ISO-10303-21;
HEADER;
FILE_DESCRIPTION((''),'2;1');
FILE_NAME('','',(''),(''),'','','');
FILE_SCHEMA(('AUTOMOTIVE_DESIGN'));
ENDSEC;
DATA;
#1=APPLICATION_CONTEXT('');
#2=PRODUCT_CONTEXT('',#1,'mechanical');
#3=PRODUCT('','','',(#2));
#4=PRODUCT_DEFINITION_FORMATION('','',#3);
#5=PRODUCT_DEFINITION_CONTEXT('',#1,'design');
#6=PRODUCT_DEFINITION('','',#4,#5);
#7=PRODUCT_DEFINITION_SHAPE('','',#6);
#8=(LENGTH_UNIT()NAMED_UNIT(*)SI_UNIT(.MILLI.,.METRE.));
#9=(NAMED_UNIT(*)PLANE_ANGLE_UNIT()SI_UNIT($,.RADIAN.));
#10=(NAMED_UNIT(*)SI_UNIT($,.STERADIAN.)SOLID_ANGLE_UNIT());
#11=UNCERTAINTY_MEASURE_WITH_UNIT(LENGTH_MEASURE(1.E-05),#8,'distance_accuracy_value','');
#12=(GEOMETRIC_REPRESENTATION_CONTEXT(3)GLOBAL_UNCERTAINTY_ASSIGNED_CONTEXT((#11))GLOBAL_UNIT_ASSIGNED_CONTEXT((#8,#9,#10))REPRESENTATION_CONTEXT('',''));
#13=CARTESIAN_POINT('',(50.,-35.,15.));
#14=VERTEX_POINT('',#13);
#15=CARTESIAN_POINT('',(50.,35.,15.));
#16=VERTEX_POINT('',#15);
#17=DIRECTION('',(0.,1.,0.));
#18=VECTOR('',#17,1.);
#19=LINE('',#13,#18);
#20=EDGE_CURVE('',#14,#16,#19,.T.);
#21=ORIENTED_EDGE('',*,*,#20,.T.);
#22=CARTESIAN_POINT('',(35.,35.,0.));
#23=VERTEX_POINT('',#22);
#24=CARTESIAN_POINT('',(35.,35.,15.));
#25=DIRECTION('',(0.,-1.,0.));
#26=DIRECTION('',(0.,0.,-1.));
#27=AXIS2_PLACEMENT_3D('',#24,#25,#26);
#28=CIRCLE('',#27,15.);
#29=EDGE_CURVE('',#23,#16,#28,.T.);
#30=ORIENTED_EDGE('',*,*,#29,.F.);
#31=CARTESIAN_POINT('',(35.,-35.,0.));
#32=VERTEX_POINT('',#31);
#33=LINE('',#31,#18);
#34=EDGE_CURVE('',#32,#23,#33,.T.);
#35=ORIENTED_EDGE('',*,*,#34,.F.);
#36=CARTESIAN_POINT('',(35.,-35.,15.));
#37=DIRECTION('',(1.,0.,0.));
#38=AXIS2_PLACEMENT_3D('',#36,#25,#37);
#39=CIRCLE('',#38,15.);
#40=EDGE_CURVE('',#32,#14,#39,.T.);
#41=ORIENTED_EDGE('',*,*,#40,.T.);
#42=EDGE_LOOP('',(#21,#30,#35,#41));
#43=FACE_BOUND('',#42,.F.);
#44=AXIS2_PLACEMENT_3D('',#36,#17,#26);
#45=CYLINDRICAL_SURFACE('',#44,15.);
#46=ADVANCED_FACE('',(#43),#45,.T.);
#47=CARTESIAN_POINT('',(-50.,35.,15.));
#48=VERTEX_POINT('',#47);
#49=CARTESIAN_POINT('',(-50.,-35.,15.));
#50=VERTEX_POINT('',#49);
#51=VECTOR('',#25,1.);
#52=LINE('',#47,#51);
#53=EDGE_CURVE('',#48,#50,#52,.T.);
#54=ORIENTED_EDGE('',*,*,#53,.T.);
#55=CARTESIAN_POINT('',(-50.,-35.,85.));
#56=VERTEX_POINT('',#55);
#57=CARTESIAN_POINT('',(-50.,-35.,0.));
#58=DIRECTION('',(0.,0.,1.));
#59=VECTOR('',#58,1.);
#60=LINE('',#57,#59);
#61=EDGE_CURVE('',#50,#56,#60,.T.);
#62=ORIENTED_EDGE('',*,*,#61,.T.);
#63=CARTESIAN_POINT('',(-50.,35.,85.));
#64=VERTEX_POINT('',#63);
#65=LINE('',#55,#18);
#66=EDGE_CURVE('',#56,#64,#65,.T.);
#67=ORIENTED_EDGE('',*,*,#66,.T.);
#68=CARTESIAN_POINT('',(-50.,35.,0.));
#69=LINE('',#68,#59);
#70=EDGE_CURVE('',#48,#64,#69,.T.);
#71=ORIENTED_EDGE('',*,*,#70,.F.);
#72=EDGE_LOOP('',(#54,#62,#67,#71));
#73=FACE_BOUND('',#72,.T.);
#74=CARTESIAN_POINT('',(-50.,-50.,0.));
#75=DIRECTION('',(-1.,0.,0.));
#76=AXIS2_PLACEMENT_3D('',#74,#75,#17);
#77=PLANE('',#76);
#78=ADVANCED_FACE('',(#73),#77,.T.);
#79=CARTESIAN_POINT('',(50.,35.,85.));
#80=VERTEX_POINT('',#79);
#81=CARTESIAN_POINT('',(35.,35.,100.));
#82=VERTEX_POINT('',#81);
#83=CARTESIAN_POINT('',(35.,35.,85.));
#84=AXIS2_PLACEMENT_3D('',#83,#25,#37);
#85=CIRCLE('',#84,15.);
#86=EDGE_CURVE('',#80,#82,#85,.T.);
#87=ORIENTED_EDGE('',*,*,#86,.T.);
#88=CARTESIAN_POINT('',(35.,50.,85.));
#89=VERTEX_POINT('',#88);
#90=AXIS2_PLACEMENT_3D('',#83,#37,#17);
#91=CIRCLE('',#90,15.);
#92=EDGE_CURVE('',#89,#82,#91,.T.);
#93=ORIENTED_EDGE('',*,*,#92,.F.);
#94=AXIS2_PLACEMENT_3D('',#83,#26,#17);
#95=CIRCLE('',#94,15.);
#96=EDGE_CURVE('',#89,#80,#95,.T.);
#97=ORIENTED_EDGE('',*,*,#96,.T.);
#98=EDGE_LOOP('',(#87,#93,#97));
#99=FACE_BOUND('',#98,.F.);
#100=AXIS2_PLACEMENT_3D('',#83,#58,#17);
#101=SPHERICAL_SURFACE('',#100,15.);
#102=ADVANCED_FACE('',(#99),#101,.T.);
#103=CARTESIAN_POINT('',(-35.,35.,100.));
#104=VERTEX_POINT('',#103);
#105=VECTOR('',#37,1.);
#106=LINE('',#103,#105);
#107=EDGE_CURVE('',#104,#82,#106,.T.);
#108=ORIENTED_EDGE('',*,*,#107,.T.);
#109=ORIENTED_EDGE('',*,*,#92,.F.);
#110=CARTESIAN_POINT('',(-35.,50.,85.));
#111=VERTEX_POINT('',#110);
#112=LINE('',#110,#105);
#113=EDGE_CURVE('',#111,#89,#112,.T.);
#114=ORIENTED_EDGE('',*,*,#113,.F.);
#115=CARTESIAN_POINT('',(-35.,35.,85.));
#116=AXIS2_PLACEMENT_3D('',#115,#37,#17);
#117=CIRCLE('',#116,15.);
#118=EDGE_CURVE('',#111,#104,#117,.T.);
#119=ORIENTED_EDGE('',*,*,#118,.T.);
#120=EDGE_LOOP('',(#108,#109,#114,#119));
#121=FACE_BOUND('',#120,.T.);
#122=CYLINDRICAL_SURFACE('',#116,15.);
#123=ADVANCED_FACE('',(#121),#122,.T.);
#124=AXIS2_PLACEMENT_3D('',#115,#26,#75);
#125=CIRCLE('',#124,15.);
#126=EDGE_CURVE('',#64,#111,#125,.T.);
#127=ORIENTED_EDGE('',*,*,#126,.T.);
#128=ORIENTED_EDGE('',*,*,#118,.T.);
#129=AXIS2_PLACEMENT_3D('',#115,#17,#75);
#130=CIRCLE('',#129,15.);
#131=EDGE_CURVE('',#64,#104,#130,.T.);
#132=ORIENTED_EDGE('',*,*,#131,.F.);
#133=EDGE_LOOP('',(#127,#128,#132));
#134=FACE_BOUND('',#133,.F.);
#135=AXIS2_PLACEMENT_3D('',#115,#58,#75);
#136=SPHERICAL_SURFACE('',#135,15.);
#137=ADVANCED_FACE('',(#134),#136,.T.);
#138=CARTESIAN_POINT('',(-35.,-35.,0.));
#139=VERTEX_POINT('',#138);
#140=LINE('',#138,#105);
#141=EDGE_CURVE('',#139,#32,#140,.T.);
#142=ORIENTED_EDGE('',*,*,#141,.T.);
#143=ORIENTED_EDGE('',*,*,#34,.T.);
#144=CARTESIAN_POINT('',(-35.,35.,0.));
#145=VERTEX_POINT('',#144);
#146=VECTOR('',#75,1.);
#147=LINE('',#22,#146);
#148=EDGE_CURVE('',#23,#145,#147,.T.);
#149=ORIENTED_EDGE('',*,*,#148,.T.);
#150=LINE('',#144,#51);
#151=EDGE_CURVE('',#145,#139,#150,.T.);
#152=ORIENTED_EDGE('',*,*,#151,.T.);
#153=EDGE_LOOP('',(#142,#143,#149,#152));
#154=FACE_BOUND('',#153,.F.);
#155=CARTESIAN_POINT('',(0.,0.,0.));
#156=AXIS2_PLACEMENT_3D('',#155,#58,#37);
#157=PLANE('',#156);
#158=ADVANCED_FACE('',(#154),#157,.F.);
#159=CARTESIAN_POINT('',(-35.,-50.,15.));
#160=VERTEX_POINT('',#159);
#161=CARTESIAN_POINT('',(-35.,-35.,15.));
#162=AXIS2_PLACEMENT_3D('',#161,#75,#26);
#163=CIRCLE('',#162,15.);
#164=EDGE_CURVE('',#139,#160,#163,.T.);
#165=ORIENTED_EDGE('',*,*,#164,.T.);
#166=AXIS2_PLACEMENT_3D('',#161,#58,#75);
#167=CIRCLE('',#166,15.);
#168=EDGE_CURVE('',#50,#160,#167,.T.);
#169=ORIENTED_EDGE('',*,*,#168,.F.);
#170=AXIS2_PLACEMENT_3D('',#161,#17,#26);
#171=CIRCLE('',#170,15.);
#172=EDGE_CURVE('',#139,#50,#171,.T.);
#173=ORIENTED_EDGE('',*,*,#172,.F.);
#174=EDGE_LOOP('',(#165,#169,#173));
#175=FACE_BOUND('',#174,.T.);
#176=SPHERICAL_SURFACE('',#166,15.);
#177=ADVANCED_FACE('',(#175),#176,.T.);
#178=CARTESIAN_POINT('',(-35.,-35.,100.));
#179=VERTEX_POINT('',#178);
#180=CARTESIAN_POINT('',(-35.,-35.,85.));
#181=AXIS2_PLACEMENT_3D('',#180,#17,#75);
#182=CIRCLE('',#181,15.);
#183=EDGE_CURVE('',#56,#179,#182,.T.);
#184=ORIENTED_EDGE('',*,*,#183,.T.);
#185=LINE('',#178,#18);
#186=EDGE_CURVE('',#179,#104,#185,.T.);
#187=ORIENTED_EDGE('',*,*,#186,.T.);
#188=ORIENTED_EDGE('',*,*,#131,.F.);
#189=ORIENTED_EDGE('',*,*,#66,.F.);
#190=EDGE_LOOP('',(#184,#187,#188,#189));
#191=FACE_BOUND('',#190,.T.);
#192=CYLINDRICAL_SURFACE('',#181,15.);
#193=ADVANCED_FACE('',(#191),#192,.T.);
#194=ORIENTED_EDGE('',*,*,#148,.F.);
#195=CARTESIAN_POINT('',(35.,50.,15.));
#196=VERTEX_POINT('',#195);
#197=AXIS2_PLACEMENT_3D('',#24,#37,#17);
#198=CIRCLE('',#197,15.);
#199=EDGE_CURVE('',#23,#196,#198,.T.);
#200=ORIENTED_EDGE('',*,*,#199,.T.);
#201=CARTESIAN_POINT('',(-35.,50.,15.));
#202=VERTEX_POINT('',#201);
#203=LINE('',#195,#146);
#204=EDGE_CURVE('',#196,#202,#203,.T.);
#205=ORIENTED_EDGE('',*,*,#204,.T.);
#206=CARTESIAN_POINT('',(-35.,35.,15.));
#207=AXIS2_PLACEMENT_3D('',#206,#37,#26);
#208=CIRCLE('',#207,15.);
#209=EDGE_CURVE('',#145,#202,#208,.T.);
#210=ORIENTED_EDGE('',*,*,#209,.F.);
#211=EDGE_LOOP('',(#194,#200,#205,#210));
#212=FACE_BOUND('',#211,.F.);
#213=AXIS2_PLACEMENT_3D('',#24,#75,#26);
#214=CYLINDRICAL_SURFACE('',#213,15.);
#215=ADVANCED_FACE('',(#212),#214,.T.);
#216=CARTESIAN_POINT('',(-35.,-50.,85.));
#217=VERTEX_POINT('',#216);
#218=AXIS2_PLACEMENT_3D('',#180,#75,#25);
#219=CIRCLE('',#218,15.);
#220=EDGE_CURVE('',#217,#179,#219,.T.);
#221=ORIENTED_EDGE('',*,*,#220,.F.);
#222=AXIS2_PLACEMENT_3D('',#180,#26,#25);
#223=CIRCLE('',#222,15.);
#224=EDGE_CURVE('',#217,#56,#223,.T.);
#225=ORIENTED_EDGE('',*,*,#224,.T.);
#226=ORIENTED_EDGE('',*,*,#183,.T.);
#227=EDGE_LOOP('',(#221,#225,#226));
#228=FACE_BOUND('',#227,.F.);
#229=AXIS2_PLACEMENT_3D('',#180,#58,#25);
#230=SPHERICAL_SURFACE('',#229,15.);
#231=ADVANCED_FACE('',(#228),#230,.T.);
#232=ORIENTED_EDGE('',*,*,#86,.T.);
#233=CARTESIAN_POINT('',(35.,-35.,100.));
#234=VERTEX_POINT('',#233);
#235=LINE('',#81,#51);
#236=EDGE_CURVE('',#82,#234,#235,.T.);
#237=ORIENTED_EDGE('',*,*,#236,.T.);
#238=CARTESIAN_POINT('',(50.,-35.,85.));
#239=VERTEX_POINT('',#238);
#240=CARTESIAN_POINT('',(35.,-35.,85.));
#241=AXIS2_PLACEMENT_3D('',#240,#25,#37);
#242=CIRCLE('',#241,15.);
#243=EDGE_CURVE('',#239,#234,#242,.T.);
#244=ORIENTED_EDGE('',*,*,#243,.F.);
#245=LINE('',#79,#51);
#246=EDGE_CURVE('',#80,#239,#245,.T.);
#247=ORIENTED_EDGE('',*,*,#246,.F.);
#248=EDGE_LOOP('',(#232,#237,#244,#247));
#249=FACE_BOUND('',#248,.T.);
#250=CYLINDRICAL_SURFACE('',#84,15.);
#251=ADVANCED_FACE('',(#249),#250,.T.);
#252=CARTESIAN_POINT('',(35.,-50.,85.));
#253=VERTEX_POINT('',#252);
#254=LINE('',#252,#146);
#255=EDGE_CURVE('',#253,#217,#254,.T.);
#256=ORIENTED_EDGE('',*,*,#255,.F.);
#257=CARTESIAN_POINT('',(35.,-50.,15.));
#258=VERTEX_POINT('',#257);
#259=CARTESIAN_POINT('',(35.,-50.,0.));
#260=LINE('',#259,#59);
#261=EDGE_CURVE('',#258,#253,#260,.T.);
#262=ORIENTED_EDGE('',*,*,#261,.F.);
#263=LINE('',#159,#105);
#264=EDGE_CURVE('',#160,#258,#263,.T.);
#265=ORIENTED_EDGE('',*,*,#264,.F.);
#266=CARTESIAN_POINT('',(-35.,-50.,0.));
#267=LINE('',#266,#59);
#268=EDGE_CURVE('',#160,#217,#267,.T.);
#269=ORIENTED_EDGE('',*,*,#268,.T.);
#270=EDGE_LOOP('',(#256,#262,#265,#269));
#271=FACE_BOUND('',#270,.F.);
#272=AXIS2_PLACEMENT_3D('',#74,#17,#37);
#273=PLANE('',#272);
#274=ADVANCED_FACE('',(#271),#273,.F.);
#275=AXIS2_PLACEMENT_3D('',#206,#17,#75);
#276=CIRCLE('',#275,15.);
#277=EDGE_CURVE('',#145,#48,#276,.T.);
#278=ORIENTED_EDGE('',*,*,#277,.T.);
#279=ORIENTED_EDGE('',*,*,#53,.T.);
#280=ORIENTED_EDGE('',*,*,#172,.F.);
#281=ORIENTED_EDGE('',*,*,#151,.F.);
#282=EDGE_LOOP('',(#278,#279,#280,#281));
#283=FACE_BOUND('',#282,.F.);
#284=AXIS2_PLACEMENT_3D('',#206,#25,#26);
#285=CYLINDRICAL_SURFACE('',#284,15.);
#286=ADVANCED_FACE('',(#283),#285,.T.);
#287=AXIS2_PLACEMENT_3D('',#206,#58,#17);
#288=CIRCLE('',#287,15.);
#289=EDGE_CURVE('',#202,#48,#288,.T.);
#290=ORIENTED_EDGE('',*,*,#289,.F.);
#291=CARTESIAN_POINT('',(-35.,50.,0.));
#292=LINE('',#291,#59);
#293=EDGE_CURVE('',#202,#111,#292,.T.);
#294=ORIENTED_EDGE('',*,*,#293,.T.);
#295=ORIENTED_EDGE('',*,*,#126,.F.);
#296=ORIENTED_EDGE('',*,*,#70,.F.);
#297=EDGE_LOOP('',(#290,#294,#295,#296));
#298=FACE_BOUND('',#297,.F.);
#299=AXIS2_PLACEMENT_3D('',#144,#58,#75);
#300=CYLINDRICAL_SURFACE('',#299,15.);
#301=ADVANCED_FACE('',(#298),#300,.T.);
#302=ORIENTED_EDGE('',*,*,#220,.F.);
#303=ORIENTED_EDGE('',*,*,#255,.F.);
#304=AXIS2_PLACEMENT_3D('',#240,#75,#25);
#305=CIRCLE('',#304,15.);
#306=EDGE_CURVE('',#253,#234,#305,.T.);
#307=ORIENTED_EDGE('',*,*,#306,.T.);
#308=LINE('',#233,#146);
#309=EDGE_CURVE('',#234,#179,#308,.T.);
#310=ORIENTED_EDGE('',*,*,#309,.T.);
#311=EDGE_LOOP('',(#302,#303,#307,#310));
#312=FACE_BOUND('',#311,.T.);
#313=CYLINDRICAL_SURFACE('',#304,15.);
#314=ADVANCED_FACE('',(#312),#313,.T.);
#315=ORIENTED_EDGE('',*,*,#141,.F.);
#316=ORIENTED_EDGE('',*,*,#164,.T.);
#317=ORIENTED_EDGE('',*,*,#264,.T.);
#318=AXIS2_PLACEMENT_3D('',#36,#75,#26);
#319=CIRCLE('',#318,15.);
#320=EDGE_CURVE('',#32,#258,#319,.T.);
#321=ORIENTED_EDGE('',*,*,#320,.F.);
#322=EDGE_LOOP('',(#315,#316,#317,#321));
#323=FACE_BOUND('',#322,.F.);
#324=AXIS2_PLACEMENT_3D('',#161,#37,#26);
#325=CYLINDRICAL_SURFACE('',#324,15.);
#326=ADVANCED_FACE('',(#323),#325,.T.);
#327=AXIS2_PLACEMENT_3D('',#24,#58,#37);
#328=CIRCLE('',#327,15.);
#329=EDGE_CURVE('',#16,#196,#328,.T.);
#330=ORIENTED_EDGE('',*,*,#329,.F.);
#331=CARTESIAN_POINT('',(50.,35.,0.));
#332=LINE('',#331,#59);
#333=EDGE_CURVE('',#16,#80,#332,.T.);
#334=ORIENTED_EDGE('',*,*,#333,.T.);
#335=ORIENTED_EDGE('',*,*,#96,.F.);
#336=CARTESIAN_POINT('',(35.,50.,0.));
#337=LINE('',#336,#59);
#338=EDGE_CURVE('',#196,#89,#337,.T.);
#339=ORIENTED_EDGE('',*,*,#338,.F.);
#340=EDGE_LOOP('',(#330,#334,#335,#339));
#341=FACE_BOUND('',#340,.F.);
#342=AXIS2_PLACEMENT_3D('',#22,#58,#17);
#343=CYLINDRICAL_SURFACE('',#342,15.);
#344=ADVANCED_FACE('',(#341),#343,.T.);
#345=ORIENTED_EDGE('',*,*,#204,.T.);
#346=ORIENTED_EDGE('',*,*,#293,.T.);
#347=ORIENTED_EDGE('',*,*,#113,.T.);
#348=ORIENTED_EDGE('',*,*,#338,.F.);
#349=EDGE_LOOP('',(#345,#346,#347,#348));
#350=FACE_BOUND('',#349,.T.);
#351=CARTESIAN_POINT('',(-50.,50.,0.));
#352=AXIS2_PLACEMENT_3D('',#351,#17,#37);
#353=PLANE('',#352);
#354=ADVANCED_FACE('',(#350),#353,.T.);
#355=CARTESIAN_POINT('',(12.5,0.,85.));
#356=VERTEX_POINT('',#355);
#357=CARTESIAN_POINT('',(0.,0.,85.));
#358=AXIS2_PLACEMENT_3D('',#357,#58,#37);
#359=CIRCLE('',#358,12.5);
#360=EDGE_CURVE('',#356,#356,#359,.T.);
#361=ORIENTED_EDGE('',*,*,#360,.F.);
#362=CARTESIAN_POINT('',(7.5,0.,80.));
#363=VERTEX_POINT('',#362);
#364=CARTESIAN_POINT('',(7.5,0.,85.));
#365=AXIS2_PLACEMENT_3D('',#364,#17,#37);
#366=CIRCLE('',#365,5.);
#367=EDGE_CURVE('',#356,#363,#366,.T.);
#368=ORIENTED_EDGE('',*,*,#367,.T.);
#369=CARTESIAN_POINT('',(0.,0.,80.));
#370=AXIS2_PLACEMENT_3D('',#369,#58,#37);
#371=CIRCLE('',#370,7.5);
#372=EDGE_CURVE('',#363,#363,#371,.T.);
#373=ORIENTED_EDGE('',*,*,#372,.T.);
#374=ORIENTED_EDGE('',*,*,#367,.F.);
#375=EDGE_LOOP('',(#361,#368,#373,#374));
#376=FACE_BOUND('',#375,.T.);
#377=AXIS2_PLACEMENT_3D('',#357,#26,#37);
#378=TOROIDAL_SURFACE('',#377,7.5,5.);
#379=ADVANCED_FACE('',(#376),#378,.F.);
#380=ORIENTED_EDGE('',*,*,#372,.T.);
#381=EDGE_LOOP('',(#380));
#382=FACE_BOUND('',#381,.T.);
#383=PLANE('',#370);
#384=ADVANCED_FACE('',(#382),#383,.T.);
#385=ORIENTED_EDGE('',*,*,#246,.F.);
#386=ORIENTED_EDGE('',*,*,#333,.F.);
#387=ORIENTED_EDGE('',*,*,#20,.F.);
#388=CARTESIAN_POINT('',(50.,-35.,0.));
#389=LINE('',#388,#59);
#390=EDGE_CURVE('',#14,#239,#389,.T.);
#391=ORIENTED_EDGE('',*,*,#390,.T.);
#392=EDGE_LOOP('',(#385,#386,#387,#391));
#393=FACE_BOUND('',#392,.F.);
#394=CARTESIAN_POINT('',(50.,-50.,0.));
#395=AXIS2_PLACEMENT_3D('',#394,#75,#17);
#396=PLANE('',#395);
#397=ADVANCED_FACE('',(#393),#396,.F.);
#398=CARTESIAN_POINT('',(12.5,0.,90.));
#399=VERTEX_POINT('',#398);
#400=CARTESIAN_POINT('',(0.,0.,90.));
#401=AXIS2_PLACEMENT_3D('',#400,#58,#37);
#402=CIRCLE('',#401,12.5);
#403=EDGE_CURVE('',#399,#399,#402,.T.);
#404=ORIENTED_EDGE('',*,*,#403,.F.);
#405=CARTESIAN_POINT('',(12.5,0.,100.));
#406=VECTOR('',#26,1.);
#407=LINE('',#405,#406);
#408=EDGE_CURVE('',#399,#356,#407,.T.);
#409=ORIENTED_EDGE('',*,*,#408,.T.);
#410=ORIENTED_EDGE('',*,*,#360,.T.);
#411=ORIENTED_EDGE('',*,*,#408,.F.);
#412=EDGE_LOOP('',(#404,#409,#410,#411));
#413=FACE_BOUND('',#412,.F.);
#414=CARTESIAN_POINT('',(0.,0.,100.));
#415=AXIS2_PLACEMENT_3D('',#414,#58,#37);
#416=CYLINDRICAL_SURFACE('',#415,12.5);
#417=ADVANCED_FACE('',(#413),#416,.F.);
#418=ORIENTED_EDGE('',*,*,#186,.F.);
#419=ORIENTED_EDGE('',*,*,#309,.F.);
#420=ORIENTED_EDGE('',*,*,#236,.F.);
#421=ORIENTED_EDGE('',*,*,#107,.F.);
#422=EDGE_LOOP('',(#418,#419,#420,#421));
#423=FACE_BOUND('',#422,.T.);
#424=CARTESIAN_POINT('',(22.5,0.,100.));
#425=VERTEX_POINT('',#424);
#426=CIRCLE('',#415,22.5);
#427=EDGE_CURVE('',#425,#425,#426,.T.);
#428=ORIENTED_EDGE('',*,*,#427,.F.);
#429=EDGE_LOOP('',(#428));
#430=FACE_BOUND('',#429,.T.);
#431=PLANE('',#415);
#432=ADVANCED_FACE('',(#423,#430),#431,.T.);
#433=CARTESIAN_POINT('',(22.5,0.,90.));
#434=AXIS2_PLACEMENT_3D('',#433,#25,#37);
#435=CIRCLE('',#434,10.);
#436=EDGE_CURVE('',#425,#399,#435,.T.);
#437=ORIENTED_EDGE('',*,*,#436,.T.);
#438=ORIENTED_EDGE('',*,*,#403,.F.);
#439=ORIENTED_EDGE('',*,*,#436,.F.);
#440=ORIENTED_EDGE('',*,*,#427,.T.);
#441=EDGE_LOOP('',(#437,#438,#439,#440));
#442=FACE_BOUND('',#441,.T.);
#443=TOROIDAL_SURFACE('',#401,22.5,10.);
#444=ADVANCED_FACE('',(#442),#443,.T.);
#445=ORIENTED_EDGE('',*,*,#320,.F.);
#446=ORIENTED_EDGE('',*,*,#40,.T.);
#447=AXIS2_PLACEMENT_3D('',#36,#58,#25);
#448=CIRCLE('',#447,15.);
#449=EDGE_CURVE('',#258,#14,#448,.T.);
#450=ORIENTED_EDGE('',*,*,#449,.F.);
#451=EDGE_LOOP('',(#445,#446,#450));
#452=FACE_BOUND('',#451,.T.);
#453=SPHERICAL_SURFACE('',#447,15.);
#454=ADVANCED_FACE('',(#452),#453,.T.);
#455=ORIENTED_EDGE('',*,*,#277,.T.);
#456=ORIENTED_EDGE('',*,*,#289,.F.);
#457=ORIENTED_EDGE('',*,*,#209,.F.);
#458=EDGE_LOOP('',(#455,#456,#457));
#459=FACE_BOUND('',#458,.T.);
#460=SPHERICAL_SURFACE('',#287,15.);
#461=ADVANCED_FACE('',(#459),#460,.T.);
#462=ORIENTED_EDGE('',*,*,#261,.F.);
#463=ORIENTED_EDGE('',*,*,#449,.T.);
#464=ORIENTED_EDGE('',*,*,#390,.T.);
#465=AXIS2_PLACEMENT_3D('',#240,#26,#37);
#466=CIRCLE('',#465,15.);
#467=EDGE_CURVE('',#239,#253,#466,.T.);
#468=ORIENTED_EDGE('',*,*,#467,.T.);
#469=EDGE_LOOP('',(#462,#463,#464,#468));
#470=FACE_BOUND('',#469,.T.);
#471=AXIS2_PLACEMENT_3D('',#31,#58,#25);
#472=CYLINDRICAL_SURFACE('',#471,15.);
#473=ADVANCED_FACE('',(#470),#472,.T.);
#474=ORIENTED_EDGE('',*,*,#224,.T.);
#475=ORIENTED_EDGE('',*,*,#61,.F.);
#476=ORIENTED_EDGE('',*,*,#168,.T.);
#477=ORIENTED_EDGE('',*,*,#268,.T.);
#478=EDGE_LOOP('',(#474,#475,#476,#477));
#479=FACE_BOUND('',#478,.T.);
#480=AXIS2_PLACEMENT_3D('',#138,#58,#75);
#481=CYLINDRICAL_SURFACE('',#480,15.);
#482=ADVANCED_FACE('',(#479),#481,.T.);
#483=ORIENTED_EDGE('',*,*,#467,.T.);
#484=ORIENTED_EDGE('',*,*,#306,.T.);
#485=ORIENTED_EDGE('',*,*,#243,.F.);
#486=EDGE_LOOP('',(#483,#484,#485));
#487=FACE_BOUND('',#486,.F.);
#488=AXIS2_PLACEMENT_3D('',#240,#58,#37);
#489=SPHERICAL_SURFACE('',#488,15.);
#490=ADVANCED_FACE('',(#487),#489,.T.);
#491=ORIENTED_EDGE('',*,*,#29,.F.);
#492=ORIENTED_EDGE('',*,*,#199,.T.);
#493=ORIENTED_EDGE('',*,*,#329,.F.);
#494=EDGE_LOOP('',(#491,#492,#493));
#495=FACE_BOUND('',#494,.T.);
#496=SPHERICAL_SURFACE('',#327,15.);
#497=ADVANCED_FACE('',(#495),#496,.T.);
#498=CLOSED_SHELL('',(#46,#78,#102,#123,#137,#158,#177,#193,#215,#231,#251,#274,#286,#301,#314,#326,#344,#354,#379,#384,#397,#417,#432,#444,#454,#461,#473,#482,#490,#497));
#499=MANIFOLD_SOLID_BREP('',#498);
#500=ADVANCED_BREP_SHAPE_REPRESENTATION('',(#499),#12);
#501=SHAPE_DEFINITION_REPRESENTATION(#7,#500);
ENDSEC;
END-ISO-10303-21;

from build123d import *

# Parameters (mm, degrees)
SKETCH001_W  = 100
SKETCH001_H  = 100
PAD_DEPTH    = 100
SKETCH_R     = 12.5
POCKET_DEPTH = 20
FILLET_R     = 15
FILLET001_R  = 15
FILLET002_R  = 15
FILLET003_R  = 10
FILLET004_R  = 5


with BuildPart() as part:
    # Sketch001 → Pad (new body)
    with BuildSketch(Plane.XY):
        Rectangle(SKETCH001_W, SKETCH001_H)
    extrude(amount=PAD_DEPTH)

    # Sketch (on Face6 of Pad) → Pocket (cut)
    with BuildSketch(Plane.XY.offset(100)):
        Circle(SKETCH_R)
    extrude(amount=-POCKET_DEPTH, mode=Mode.SUBTRACT)

    # Fillet
    fillet_edges = [part.edges().sort_by_distance(p)[0] for p in [
        (50, -50, 50),
        (-50, -50, 50),
        (50, 50, 50),
        (-50, 50, 50),
    ]]
    fillet(fillet_edges, radius=FILLET_R)

    # Fillet001
    fillet001_edges = [part.edges().sort_by_distance(p)[0] for p in [
        (-50, 0, 100),
        (-45.606602, 45.606602, 100),
        (0, 50, 100),
        (45.606602, 45.606602, 100),
        (50, 0, 100),
        (45.606602, -45.606602, 100),
        (0, -50, 100),
        (-45.606602, -45.606602, 100),
    ]]
    fillet(fillet001_edges, radius=FILLET001_R)

    # Fillet002
    fillet002_edges = [part.edges().sort_by_distance(p)[0] for p in [
        (0, -50, 0),
        (-45.606602, -45.606602, 0),
        (-50, 0, 0),
        (-45.606602, 45.606602, 0),
        (0, 50, 0),
        (45.606602, 45.606602, 0),
        (50, 0, 0),
        (45.606602, -45.606602, 0),
    ]]
    fillet(fillet002_edges, radius=FILLET002_R)

    # Fillet003
    fillet003_edges = [part.edges().sort_by_distance(p)[0] for p in [
        (-12.5, 0, 100),
    ]]
    fillet(fillet003_edges, radius=FILLET003_R)

    # Fillet004
    fillet004_edges = [part.edges().sort_by_distance(p)[0] for p in [
        (-12.5, 0, 80),
    ]]
    fillet(fillet004_edges, radius=FILLET004_R)


solid = part.part
